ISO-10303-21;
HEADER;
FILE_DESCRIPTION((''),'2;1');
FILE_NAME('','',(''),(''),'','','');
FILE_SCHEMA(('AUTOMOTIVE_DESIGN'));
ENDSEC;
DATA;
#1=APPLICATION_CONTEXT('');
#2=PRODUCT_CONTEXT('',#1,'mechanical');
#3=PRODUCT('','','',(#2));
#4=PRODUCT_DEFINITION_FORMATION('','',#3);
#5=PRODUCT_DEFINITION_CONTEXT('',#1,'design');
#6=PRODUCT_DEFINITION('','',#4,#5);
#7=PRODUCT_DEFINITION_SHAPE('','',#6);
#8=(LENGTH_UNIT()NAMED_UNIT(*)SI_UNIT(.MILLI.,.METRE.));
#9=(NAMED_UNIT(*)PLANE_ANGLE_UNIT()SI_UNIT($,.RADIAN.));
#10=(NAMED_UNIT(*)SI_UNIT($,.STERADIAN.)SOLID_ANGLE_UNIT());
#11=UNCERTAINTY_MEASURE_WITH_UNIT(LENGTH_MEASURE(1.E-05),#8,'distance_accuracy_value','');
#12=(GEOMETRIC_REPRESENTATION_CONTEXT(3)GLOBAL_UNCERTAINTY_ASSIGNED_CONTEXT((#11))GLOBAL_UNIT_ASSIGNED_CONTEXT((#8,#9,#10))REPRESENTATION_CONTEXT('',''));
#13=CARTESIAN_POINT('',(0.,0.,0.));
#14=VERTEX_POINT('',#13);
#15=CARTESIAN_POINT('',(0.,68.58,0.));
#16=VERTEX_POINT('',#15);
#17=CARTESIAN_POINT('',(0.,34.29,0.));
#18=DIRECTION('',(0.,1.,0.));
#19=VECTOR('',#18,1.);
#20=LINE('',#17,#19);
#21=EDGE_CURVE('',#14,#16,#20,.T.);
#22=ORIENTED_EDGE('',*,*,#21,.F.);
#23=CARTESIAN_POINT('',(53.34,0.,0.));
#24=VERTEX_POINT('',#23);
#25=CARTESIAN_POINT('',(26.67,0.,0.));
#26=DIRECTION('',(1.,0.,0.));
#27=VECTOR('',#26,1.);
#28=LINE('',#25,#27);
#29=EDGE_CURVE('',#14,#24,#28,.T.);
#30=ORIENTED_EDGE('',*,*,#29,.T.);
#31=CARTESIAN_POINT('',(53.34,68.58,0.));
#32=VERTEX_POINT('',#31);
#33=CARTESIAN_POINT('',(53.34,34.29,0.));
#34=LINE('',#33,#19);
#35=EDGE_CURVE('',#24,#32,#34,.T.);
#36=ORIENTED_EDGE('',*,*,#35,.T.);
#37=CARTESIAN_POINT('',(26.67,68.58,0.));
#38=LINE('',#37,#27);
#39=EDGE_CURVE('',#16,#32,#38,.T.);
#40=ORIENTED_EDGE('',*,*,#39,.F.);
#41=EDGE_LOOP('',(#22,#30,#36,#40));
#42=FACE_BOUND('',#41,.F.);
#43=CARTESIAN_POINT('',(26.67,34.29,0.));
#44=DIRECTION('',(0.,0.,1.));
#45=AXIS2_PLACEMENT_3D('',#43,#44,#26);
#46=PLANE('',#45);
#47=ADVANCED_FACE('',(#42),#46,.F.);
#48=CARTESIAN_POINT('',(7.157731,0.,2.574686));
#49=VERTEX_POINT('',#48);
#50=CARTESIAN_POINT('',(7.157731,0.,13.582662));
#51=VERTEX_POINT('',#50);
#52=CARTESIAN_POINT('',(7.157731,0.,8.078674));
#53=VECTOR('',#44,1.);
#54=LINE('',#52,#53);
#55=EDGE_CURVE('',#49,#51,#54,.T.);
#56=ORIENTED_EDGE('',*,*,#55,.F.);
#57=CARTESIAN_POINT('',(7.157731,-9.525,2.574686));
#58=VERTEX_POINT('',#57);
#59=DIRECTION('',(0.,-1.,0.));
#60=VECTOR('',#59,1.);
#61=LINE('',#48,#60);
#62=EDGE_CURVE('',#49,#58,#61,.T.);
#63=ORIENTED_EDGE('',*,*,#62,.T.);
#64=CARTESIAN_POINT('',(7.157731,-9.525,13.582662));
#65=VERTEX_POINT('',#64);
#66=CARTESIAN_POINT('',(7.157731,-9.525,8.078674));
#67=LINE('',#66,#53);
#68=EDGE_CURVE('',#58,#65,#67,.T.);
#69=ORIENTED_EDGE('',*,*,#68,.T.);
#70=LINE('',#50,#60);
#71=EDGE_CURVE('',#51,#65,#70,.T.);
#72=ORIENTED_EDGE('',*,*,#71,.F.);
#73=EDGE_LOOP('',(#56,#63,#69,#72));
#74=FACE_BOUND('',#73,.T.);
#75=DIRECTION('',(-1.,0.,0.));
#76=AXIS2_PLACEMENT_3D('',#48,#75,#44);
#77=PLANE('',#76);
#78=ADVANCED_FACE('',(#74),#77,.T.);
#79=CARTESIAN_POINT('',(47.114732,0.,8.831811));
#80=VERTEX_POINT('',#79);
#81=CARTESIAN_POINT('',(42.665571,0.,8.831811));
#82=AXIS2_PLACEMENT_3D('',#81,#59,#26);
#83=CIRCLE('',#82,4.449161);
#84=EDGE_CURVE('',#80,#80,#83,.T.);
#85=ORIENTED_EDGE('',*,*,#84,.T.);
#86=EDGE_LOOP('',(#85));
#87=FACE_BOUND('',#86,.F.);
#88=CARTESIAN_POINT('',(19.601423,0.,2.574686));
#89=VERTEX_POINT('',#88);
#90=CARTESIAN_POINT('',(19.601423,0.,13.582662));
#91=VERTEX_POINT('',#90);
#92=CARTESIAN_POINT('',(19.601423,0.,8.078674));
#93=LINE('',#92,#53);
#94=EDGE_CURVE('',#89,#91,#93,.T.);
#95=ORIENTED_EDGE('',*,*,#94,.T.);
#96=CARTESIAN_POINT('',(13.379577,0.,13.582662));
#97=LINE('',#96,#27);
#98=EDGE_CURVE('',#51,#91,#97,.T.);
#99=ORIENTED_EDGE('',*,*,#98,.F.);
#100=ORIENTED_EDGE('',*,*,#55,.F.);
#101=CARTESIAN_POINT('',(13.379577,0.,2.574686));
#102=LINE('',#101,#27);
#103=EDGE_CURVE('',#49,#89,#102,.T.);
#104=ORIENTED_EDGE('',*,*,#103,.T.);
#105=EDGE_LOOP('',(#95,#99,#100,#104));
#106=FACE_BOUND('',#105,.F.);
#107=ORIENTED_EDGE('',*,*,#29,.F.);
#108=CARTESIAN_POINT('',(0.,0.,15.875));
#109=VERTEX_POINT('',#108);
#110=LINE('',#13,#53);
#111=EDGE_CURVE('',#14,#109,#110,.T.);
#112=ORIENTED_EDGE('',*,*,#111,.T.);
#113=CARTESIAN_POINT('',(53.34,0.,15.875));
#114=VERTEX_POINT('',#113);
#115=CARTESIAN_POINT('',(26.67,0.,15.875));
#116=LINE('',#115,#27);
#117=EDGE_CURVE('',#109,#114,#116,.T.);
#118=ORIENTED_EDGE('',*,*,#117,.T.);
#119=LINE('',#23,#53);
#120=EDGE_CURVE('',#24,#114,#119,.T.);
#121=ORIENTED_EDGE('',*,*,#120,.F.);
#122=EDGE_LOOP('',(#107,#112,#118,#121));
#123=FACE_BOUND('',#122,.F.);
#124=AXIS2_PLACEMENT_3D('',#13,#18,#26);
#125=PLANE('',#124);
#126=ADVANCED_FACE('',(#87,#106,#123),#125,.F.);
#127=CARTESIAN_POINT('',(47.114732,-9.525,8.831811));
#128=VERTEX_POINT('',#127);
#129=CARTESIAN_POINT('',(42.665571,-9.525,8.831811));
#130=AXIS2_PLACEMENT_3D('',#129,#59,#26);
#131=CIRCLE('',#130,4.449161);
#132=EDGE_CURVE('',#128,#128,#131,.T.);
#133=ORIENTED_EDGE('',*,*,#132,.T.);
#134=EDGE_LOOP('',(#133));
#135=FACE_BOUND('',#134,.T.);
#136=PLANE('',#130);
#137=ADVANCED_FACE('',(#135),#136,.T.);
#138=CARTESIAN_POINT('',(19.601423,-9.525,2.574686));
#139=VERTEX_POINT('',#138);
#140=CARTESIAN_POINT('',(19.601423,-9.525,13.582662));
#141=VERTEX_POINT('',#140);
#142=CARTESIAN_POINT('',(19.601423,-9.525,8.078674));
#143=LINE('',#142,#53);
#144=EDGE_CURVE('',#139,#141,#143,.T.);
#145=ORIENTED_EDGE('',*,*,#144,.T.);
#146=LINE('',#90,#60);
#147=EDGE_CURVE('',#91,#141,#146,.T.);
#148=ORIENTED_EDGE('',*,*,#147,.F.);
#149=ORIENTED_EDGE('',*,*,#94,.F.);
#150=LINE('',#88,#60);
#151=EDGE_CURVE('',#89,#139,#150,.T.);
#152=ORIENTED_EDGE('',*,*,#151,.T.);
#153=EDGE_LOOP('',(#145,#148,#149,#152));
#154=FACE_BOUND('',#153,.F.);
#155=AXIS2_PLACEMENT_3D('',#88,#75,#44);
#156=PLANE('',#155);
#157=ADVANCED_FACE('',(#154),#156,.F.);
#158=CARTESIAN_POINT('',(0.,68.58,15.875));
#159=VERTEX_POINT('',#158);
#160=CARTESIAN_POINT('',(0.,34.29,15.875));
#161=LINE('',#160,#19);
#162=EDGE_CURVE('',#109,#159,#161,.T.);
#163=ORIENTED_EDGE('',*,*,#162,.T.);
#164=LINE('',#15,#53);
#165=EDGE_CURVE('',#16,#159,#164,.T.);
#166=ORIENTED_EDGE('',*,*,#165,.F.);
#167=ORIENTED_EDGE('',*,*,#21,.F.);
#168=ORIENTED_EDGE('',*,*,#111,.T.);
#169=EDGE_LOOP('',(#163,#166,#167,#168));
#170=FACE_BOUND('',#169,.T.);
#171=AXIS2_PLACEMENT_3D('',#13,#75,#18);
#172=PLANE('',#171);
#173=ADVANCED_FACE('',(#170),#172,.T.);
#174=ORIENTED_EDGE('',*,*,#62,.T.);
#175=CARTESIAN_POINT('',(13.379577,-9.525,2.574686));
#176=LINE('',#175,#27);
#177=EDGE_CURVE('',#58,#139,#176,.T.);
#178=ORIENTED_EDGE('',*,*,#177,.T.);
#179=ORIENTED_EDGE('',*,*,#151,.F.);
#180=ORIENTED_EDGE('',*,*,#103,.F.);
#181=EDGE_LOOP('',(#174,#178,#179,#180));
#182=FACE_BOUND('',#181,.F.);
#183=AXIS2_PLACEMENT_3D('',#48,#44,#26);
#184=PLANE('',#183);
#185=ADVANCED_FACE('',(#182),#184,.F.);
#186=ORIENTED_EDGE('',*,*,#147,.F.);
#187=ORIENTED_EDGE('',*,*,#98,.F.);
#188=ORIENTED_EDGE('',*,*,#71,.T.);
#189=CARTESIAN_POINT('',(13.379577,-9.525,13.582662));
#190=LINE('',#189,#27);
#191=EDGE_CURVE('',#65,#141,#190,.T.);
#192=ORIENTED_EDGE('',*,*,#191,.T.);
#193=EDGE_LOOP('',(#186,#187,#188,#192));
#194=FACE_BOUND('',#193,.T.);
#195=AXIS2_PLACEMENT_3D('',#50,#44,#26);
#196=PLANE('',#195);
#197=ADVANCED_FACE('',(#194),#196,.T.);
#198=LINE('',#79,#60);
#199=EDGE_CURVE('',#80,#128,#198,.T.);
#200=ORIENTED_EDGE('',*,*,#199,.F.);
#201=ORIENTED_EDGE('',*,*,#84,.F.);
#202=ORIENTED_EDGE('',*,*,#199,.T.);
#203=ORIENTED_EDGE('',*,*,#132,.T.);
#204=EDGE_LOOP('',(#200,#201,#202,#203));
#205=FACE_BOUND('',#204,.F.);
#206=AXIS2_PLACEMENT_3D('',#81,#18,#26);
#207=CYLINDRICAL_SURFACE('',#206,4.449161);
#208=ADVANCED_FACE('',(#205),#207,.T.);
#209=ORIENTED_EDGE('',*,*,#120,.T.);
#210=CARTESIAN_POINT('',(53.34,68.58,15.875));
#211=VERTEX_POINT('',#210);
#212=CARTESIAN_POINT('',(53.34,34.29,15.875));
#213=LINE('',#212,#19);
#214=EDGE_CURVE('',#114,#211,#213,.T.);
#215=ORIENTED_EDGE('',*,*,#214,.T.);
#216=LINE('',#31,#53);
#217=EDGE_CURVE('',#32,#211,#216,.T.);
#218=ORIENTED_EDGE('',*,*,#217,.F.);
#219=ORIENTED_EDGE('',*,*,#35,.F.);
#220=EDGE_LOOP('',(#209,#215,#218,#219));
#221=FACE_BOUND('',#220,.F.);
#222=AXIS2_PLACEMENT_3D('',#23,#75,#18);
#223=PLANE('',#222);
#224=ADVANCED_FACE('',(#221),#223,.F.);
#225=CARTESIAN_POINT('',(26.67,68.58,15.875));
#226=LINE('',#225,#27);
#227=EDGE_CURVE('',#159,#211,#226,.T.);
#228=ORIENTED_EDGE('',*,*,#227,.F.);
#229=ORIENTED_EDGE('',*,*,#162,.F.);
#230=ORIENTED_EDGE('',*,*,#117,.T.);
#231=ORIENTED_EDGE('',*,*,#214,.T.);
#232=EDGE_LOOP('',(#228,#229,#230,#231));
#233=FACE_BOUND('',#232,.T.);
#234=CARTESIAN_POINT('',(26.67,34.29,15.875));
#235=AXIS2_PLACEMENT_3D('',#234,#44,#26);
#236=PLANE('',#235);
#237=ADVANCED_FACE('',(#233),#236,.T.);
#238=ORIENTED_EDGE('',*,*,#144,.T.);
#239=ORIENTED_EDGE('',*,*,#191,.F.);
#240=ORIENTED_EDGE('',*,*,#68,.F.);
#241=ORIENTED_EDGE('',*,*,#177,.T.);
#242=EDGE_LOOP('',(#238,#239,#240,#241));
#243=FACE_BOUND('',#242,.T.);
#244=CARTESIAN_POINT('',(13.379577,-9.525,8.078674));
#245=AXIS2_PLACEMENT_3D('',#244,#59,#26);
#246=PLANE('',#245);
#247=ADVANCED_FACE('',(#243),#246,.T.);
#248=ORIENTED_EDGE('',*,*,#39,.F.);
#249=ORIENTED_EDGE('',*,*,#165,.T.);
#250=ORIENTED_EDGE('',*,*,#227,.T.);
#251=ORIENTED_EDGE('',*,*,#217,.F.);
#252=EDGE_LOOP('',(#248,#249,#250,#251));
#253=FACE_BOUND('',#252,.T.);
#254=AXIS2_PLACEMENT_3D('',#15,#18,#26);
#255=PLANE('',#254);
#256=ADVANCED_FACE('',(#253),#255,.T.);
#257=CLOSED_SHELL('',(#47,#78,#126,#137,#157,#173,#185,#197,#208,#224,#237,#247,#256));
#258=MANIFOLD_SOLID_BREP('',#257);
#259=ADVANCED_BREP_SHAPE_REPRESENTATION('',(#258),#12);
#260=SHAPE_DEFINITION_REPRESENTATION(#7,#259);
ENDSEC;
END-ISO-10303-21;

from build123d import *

# Parameters (mm, degrees)
F0_W     = 53.34
F0_H     = 68.58
F1_DEPTH = 15.875
F2_W     = 12.443692
F2_H     = 11.007975
F2_R     = 4.449161
F3_DEPTH = 9.525


with BuildPart() as f1:
    # F0 (on Top) → F1 (new body)
    with BuildSketch(Plane.XY):
        with Locations((26.67, 34.29)):
            Rectangle(F0_W, F0_H)
    extrude(amount=F1_DEPTH)

    # F2 (on face) → F3 (join)
    with BuildSketch(Plane.XZ):
        with Locations((13.379577, 8.078674)):
            Rectangle(F2_W, F2_H)
        with Locations((42.665571, 8.831811)):
            Circle(F2_R)
    extrude(amount=F3_DEPTH)


solid = f1.part
